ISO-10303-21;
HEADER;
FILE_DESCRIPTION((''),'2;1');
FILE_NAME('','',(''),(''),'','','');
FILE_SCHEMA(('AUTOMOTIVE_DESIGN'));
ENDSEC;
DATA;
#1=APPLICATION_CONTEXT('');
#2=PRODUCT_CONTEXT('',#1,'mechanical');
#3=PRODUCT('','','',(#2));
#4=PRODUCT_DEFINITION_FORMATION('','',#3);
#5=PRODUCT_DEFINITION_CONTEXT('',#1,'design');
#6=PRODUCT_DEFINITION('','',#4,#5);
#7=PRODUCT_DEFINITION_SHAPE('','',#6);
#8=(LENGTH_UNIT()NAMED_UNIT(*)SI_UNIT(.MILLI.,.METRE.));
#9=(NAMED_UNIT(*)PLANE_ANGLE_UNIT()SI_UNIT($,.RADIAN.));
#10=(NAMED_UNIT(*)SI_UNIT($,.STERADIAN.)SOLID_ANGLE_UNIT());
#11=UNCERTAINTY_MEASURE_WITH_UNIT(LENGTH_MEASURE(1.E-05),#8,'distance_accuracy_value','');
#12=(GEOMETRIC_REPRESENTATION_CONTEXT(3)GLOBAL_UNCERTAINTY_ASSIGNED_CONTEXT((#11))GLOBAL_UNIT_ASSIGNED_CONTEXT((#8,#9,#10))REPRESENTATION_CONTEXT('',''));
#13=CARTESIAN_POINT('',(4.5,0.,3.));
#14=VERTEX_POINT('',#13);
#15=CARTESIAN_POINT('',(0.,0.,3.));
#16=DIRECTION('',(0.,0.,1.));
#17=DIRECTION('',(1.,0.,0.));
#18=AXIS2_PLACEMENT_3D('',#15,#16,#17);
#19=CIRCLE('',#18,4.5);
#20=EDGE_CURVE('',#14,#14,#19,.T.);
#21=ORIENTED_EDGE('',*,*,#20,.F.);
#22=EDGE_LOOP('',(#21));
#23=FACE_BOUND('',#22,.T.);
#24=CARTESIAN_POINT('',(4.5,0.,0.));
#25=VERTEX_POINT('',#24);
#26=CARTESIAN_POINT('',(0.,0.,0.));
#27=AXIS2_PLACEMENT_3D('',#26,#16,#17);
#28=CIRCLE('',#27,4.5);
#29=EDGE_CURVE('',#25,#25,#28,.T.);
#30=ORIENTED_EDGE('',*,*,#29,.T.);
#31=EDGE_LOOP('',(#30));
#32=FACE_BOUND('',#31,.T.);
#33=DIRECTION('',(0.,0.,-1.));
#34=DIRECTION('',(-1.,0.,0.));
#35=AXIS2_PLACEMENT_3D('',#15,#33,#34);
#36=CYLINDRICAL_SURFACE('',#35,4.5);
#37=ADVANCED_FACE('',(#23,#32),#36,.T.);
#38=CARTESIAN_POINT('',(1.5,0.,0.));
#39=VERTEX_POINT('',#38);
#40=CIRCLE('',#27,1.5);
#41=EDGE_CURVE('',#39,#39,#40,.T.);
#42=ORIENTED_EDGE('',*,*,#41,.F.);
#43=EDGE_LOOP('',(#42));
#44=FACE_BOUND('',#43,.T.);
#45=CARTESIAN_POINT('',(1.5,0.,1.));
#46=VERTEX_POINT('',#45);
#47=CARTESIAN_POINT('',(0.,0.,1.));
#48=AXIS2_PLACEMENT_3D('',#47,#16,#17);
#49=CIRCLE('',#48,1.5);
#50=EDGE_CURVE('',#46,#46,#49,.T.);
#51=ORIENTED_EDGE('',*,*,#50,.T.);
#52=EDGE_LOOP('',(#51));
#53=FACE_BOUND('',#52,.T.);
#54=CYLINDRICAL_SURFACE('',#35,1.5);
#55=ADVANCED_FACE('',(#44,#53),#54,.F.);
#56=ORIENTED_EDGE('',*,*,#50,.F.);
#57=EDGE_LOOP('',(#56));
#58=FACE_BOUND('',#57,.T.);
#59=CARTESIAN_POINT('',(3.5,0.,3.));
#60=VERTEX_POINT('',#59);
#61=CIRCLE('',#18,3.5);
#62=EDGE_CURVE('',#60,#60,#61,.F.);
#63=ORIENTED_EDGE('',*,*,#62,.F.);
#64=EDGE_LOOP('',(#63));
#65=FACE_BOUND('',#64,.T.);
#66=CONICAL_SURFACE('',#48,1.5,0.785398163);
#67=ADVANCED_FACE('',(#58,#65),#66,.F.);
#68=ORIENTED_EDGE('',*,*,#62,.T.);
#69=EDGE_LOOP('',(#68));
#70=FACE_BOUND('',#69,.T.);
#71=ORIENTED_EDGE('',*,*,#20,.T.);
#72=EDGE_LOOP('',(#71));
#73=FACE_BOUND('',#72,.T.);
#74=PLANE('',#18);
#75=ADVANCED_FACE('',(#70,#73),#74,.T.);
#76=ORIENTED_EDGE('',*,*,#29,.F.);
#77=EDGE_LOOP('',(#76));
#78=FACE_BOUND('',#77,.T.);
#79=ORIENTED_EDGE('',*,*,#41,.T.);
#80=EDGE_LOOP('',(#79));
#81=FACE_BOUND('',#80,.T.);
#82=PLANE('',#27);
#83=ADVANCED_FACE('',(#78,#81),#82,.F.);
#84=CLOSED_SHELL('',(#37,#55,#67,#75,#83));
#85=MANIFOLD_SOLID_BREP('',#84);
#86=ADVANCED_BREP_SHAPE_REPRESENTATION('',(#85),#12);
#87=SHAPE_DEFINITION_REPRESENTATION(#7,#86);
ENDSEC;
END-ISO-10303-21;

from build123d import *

# Parameters (mm, degrees)
SKETCH_1_R      = 4.5
SKETCH_1_R_2    = 1.5
EXTRUDE_1_DEPTH = 3
CHAMFER_1_SIZE  = 2


with BuildPart() as part:
    # 草图1 → 凸台-拉伸1 (new body)
    with BuildSketch(Plane.XY):
        Circle(SKETCH_1_R)
        Circle(SKETCH_1_R_2, mode=Mode.SUBTRACT)
    extrude(amount=EXTRUDE_1_DEPTH)

    # 倒角1
    chamfer_1_edges = [part.edges().sort_by_distance(p)[0] for p in [
        (-1.5, 0, 3),
    ]]
    chamfer(chamfer_1_edges, length=CHAMFER_1_SIZE)


solid = part.part
